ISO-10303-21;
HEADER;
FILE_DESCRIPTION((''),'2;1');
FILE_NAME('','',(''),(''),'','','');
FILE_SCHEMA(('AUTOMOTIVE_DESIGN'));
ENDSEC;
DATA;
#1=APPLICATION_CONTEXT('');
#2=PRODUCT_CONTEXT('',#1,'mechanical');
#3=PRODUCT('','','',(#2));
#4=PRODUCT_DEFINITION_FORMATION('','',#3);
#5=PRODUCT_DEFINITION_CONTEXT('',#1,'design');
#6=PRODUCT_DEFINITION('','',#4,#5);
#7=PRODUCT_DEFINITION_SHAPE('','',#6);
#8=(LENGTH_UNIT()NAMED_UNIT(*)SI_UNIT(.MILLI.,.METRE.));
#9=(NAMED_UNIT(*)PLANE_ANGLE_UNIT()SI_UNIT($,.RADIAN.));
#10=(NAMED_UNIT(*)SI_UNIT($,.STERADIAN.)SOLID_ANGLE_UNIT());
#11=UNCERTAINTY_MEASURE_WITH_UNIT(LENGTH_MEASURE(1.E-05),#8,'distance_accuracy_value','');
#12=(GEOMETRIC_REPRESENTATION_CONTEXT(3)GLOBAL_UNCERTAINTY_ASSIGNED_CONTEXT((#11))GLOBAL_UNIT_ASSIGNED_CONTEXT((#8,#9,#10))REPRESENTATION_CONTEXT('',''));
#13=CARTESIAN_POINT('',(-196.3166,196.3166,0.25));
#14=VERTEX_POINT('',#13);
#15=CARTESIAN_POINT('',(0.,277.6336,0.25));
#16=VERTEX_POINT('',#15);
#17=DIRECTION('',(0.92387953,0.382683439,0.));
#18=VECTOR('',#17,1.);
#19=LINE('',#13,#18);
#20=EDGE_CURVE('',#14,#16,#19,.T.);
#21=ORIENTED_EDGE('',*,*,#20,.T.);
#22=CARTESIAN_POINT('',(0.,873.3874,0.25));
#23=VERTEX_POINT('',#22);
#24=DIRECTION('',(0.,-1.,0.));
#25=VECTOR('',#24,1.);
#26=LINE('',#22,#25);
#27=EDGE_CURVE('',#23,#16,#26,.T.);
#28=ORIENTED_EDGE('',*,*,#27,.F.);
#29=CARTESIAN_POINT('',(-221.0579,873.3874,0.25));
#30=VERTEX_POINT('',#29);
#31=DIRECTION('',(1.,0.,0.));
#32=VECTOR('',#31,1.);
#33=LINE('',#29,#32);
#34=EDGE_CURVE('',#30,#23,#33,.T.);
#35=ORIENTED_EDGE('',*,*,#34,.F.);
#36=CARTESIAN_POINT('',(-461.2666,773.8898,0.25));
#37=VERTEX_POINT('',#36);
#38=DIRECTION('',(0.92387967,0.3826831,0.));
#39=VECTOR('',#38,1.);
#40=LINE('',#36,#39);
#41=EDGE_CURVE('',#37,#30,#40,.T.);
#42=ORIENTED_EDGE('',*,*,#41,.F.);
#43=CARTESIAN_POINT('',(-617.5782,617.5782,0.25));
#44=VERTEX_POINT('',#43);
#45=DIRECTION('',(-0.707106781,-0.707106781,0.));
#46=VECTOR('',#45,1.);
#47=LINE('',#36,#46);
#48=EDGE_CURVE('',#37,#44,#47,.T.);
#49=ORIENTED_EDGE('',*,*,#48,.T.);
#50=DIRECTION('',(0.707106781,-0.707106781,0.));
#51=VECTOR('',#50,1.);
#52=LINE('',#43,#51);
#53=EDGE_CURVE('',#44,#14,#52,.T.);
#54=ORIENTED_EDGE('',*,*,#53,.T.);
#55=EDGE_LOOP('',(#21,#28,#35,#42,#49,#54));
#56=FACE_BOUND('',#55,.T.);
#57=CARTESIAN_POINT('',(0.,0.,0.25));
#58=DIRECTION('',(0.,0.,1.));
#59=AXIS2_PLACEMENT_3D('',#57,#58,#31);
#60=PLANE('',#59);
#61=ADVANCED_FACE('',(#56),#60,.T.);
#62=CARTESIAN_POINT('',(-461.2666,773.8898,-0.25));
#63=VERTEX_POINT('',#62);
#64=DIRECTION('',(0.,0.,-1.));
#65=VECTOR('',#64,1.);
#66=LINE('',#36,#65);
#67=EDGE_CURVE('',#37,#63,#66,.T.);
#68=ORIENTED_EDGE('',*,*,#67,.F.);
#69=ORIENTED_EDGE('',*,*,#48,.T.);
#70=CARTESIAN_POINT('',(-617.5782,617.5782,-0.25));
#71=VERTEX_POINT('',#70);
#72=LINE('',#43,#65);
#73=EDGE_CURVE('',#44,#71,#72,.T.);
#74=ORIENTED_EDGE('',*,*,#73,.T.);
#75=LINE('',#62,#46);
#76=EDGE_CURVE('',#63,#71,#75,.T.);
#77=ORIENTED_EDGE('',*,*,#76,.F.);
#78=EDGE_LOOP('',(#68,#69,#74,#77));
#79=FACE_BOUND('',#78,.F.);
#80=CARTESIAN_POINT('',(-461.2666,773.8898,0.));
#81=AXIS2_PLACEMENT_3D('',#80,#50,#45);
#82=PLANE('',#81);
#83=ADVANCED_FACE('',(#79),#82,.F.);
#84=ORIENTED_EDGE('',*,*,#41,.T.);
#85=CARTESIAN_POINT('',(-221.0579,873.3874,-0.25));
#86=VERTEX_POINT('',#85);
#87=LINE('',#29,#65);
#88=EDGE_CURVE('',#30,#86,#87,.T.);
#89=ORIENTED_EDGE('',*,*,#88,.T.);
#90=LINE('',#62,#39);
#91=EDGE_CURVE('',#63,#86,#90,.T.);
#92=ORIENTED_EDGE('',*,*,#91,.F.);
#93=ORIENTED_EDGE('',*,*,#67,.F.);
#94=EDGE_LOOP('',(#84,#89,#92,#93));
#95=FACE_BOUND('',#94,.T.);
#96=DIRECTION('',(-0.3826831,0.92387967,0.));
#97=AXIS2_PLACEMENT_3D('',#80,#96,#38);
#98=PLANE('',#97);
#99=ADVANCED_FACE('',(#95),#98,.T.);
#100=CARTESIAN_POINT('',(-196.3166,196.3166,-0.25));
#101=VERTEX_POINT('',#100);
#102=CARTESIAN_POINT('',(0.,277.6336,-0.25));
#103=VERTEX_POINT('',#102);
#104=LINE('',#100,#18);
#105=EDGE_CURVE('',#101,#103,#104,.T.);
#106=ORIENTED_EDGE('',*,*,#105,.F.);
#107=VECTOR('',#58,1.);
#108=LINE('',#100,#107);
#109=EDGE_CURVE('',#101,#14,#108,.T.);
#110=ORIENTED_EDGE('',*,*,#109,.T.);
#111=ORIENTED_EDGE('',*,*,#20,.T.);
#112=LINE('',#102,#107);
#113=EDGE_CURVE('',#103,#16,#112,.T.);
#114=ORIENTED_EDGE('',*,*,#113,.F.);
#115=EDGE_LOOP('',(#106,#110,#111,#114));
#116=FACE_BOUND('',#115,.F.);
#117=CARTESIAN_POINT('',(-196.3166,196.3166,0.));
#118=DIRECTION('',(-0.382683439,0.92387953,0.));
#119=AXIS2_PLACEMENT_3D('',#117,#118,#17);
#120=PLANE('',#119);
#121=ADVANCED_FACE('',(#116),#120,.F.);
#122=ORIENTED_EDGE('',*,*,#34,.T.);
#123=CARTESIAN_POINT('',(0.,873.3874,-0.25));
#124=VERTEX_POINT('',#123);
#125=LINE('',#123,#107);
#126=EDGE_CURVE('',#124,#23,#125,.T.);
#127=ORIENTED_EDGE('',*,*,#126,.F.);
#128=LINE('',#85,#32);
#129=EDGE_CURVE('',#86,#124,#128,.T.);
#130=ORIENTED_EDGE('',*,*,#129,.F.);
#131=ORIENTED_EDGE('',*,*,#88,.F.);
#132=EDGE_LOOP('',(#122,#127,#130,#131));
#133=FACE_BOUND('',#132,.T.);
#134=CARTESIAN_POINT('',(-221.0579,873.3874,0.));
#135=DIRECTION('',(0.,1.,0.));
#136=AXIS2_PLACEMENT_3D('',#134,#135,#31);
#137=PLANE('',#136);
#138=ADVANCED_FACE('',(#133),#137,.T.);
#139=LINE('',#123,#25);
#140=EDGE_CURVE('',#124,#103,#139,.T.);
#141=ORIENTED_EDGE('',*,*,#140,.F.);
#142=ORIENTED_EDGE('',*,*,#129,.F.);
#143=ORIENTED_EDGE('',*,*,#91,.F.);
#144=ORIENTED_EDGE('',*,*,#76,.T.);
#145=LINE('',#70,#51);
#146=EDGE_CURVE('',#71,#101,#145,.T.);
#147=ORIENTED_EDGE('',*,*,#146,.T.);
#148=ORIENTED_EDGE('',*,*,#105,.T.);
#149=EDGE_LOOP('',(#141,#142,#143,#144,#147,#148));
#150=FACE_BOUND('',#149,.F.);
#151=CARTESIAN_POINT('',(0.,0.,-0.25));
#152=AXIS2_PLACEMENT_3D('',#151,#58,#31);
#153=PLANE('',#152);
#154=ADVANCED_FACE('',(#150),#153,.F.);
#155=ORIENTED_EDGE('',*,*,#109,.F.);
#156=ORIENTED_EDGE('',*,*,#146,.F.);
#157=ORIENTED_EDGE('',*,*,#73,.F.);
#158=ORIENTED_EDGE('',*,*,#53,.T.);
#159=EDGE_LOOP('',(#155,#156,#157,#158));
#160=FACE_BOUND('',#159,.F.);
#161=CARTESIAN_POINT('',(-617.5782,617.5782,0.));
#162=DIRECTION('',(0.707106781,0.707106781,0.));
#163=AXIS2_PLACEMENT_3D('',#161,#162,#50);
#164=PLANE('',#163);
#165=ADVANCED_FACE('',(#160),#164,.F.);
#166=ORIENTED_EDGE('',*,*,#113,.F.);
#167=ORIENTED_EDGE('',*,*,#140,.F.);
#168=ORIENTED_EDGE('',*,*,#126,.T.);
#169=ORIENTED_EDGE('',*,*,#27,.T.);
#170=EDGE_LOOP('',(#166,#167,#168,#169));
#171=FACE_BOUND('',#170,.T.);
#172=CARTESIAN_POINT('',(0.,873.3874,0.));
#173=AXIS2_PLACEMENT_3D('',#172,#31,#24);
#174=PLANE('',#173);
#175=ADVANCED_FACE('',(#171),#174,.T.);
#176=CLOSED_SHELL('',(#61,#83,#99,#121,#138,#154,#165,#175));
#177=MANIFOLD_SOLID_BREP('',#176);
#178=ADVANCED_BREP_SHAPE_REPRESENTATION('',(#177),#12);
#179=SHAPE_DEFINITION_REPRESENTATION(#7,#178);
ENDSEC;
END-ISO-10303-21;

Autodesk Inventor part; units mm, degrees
ref_plane "YZ Plane" through (0, 0, 0) normal (1, 0, 0) x (0, 1, 0)
ref_plane "XZ Plane" through (0, 0, 0) normal (0, 1, 0) x (-1, 0, 0)
ref_plane "XY Plane" through (0, 0, 0) normal (0, 0, 1) x (1, 0, 0)
sketch "Sketch1" plane through (0, 0, 0) normal (0, 0, 1) x (1, 0, 0)
  line L0 (0, 277.6336) -> (196.3166, 196.3166) construction
  line L1 (196.3166, 196.3166) -> (277.6336, 0) construction
  line L2 (277.6336, 0) -> (196.3166, -196.3166) construction
  line L3 (196.3166, -196.3166) -> (0, -277.6336) construction
  line L4 (0, -277.6336) -> (-196.3166, -196.3166) construction
  line L5 (-196.3166, -196.3166) -> (-277.6336, 0) construction
  line L6 (-277.6336, 0) -> (-196.3166, 196.3166) construction
  line L7 (-196.3166, 196.3166) -> (0, 277.6336)
  line L8 (-196.3166, 196.3166) -> (0, 277.6336)
  line L9 (-461.2666, 773.8898) -> (-221.0579, 873.3874)
  line L10 (-98.1583, 236.9751) -> (-341.1623, 823.6386) construction
  line L11 (-221.0579, 873.3874) -> (0, 873.3874)
  line L12 (0, 873.3874) -> (0, 277.6336)
  line L13 (-461.2666, 773.8898) -> (-617.5782, 617.5782)
  line L14 (-617.5782, 617.5782) -> (-196.3166, 196.3166)
  point P0 (0, 0)
  point P1 (0, 0)
  dimension "d0" = 513
  dimension "d2" = 260
  dimension "d3" = 635
extrude "Extrusion1" add sketch "Sketch1" along normal mid plane 0.5
sketch "Sketch7" plane through (0, 0, 0.25) normal (0, 0, 1) x (1, 0, 0)
  line L0 (-13, 868.3874) -> (-5, 868.3874)
  line L1 (-5, 868.3874) -> (-5, 860.3874)
  line L2 (-5, 860.3874) -> (-13, 860.3874)
  line L3 (-13, 860.3874) -> (-13, 868.3874)
  line L4 (0, 873.3874) -> (-221.0579, 873.3874) projected
  line L5 (0, 277.6336) -> (0, 873.3874) projected
  point P0 (0, 0)
  dimension "d54" = 8
  dimension "d55" = 8
  dimension "d56" = 5
  dimension "d57" = 5
extrude "Extrusion5" [suppressed]
pattern_linear "Rectangular Pattern1" [suppressed]
equation "\"d0\" = Барабан_габарит_по_кассетам"
equation "\"d2\" = Кассета_длина_грани"
equation "\"d3\" = Кассета_высота"
equation "\"BendRadius\" = Thickness"
equation "\"BendReliefWidth\" = Thickness"
equation "\"BendReliefDepth\" = 0.5 * Thickness"
equation "\"CornerReliefSize\" = 4 * Thickness"
equation "\"MinimumRemnant\" = 2 * Thickness"
equation "\"TransitionRadius\" = BendRadius"
equation "\"JacobiRadiusSize\" = BendRadius"
equation "\"GapSize\" = Thickness"
equation "\"Барабан_габарит_по_кассетам\" = 513"
equation "\"Кассета_длина_грани\" = 260"
equation "\"Кассета_высота\" = 635"
equation "\"Thickness\" = 0.5"
properties part number "ДМФ 01 57 Сетка кассеты"
